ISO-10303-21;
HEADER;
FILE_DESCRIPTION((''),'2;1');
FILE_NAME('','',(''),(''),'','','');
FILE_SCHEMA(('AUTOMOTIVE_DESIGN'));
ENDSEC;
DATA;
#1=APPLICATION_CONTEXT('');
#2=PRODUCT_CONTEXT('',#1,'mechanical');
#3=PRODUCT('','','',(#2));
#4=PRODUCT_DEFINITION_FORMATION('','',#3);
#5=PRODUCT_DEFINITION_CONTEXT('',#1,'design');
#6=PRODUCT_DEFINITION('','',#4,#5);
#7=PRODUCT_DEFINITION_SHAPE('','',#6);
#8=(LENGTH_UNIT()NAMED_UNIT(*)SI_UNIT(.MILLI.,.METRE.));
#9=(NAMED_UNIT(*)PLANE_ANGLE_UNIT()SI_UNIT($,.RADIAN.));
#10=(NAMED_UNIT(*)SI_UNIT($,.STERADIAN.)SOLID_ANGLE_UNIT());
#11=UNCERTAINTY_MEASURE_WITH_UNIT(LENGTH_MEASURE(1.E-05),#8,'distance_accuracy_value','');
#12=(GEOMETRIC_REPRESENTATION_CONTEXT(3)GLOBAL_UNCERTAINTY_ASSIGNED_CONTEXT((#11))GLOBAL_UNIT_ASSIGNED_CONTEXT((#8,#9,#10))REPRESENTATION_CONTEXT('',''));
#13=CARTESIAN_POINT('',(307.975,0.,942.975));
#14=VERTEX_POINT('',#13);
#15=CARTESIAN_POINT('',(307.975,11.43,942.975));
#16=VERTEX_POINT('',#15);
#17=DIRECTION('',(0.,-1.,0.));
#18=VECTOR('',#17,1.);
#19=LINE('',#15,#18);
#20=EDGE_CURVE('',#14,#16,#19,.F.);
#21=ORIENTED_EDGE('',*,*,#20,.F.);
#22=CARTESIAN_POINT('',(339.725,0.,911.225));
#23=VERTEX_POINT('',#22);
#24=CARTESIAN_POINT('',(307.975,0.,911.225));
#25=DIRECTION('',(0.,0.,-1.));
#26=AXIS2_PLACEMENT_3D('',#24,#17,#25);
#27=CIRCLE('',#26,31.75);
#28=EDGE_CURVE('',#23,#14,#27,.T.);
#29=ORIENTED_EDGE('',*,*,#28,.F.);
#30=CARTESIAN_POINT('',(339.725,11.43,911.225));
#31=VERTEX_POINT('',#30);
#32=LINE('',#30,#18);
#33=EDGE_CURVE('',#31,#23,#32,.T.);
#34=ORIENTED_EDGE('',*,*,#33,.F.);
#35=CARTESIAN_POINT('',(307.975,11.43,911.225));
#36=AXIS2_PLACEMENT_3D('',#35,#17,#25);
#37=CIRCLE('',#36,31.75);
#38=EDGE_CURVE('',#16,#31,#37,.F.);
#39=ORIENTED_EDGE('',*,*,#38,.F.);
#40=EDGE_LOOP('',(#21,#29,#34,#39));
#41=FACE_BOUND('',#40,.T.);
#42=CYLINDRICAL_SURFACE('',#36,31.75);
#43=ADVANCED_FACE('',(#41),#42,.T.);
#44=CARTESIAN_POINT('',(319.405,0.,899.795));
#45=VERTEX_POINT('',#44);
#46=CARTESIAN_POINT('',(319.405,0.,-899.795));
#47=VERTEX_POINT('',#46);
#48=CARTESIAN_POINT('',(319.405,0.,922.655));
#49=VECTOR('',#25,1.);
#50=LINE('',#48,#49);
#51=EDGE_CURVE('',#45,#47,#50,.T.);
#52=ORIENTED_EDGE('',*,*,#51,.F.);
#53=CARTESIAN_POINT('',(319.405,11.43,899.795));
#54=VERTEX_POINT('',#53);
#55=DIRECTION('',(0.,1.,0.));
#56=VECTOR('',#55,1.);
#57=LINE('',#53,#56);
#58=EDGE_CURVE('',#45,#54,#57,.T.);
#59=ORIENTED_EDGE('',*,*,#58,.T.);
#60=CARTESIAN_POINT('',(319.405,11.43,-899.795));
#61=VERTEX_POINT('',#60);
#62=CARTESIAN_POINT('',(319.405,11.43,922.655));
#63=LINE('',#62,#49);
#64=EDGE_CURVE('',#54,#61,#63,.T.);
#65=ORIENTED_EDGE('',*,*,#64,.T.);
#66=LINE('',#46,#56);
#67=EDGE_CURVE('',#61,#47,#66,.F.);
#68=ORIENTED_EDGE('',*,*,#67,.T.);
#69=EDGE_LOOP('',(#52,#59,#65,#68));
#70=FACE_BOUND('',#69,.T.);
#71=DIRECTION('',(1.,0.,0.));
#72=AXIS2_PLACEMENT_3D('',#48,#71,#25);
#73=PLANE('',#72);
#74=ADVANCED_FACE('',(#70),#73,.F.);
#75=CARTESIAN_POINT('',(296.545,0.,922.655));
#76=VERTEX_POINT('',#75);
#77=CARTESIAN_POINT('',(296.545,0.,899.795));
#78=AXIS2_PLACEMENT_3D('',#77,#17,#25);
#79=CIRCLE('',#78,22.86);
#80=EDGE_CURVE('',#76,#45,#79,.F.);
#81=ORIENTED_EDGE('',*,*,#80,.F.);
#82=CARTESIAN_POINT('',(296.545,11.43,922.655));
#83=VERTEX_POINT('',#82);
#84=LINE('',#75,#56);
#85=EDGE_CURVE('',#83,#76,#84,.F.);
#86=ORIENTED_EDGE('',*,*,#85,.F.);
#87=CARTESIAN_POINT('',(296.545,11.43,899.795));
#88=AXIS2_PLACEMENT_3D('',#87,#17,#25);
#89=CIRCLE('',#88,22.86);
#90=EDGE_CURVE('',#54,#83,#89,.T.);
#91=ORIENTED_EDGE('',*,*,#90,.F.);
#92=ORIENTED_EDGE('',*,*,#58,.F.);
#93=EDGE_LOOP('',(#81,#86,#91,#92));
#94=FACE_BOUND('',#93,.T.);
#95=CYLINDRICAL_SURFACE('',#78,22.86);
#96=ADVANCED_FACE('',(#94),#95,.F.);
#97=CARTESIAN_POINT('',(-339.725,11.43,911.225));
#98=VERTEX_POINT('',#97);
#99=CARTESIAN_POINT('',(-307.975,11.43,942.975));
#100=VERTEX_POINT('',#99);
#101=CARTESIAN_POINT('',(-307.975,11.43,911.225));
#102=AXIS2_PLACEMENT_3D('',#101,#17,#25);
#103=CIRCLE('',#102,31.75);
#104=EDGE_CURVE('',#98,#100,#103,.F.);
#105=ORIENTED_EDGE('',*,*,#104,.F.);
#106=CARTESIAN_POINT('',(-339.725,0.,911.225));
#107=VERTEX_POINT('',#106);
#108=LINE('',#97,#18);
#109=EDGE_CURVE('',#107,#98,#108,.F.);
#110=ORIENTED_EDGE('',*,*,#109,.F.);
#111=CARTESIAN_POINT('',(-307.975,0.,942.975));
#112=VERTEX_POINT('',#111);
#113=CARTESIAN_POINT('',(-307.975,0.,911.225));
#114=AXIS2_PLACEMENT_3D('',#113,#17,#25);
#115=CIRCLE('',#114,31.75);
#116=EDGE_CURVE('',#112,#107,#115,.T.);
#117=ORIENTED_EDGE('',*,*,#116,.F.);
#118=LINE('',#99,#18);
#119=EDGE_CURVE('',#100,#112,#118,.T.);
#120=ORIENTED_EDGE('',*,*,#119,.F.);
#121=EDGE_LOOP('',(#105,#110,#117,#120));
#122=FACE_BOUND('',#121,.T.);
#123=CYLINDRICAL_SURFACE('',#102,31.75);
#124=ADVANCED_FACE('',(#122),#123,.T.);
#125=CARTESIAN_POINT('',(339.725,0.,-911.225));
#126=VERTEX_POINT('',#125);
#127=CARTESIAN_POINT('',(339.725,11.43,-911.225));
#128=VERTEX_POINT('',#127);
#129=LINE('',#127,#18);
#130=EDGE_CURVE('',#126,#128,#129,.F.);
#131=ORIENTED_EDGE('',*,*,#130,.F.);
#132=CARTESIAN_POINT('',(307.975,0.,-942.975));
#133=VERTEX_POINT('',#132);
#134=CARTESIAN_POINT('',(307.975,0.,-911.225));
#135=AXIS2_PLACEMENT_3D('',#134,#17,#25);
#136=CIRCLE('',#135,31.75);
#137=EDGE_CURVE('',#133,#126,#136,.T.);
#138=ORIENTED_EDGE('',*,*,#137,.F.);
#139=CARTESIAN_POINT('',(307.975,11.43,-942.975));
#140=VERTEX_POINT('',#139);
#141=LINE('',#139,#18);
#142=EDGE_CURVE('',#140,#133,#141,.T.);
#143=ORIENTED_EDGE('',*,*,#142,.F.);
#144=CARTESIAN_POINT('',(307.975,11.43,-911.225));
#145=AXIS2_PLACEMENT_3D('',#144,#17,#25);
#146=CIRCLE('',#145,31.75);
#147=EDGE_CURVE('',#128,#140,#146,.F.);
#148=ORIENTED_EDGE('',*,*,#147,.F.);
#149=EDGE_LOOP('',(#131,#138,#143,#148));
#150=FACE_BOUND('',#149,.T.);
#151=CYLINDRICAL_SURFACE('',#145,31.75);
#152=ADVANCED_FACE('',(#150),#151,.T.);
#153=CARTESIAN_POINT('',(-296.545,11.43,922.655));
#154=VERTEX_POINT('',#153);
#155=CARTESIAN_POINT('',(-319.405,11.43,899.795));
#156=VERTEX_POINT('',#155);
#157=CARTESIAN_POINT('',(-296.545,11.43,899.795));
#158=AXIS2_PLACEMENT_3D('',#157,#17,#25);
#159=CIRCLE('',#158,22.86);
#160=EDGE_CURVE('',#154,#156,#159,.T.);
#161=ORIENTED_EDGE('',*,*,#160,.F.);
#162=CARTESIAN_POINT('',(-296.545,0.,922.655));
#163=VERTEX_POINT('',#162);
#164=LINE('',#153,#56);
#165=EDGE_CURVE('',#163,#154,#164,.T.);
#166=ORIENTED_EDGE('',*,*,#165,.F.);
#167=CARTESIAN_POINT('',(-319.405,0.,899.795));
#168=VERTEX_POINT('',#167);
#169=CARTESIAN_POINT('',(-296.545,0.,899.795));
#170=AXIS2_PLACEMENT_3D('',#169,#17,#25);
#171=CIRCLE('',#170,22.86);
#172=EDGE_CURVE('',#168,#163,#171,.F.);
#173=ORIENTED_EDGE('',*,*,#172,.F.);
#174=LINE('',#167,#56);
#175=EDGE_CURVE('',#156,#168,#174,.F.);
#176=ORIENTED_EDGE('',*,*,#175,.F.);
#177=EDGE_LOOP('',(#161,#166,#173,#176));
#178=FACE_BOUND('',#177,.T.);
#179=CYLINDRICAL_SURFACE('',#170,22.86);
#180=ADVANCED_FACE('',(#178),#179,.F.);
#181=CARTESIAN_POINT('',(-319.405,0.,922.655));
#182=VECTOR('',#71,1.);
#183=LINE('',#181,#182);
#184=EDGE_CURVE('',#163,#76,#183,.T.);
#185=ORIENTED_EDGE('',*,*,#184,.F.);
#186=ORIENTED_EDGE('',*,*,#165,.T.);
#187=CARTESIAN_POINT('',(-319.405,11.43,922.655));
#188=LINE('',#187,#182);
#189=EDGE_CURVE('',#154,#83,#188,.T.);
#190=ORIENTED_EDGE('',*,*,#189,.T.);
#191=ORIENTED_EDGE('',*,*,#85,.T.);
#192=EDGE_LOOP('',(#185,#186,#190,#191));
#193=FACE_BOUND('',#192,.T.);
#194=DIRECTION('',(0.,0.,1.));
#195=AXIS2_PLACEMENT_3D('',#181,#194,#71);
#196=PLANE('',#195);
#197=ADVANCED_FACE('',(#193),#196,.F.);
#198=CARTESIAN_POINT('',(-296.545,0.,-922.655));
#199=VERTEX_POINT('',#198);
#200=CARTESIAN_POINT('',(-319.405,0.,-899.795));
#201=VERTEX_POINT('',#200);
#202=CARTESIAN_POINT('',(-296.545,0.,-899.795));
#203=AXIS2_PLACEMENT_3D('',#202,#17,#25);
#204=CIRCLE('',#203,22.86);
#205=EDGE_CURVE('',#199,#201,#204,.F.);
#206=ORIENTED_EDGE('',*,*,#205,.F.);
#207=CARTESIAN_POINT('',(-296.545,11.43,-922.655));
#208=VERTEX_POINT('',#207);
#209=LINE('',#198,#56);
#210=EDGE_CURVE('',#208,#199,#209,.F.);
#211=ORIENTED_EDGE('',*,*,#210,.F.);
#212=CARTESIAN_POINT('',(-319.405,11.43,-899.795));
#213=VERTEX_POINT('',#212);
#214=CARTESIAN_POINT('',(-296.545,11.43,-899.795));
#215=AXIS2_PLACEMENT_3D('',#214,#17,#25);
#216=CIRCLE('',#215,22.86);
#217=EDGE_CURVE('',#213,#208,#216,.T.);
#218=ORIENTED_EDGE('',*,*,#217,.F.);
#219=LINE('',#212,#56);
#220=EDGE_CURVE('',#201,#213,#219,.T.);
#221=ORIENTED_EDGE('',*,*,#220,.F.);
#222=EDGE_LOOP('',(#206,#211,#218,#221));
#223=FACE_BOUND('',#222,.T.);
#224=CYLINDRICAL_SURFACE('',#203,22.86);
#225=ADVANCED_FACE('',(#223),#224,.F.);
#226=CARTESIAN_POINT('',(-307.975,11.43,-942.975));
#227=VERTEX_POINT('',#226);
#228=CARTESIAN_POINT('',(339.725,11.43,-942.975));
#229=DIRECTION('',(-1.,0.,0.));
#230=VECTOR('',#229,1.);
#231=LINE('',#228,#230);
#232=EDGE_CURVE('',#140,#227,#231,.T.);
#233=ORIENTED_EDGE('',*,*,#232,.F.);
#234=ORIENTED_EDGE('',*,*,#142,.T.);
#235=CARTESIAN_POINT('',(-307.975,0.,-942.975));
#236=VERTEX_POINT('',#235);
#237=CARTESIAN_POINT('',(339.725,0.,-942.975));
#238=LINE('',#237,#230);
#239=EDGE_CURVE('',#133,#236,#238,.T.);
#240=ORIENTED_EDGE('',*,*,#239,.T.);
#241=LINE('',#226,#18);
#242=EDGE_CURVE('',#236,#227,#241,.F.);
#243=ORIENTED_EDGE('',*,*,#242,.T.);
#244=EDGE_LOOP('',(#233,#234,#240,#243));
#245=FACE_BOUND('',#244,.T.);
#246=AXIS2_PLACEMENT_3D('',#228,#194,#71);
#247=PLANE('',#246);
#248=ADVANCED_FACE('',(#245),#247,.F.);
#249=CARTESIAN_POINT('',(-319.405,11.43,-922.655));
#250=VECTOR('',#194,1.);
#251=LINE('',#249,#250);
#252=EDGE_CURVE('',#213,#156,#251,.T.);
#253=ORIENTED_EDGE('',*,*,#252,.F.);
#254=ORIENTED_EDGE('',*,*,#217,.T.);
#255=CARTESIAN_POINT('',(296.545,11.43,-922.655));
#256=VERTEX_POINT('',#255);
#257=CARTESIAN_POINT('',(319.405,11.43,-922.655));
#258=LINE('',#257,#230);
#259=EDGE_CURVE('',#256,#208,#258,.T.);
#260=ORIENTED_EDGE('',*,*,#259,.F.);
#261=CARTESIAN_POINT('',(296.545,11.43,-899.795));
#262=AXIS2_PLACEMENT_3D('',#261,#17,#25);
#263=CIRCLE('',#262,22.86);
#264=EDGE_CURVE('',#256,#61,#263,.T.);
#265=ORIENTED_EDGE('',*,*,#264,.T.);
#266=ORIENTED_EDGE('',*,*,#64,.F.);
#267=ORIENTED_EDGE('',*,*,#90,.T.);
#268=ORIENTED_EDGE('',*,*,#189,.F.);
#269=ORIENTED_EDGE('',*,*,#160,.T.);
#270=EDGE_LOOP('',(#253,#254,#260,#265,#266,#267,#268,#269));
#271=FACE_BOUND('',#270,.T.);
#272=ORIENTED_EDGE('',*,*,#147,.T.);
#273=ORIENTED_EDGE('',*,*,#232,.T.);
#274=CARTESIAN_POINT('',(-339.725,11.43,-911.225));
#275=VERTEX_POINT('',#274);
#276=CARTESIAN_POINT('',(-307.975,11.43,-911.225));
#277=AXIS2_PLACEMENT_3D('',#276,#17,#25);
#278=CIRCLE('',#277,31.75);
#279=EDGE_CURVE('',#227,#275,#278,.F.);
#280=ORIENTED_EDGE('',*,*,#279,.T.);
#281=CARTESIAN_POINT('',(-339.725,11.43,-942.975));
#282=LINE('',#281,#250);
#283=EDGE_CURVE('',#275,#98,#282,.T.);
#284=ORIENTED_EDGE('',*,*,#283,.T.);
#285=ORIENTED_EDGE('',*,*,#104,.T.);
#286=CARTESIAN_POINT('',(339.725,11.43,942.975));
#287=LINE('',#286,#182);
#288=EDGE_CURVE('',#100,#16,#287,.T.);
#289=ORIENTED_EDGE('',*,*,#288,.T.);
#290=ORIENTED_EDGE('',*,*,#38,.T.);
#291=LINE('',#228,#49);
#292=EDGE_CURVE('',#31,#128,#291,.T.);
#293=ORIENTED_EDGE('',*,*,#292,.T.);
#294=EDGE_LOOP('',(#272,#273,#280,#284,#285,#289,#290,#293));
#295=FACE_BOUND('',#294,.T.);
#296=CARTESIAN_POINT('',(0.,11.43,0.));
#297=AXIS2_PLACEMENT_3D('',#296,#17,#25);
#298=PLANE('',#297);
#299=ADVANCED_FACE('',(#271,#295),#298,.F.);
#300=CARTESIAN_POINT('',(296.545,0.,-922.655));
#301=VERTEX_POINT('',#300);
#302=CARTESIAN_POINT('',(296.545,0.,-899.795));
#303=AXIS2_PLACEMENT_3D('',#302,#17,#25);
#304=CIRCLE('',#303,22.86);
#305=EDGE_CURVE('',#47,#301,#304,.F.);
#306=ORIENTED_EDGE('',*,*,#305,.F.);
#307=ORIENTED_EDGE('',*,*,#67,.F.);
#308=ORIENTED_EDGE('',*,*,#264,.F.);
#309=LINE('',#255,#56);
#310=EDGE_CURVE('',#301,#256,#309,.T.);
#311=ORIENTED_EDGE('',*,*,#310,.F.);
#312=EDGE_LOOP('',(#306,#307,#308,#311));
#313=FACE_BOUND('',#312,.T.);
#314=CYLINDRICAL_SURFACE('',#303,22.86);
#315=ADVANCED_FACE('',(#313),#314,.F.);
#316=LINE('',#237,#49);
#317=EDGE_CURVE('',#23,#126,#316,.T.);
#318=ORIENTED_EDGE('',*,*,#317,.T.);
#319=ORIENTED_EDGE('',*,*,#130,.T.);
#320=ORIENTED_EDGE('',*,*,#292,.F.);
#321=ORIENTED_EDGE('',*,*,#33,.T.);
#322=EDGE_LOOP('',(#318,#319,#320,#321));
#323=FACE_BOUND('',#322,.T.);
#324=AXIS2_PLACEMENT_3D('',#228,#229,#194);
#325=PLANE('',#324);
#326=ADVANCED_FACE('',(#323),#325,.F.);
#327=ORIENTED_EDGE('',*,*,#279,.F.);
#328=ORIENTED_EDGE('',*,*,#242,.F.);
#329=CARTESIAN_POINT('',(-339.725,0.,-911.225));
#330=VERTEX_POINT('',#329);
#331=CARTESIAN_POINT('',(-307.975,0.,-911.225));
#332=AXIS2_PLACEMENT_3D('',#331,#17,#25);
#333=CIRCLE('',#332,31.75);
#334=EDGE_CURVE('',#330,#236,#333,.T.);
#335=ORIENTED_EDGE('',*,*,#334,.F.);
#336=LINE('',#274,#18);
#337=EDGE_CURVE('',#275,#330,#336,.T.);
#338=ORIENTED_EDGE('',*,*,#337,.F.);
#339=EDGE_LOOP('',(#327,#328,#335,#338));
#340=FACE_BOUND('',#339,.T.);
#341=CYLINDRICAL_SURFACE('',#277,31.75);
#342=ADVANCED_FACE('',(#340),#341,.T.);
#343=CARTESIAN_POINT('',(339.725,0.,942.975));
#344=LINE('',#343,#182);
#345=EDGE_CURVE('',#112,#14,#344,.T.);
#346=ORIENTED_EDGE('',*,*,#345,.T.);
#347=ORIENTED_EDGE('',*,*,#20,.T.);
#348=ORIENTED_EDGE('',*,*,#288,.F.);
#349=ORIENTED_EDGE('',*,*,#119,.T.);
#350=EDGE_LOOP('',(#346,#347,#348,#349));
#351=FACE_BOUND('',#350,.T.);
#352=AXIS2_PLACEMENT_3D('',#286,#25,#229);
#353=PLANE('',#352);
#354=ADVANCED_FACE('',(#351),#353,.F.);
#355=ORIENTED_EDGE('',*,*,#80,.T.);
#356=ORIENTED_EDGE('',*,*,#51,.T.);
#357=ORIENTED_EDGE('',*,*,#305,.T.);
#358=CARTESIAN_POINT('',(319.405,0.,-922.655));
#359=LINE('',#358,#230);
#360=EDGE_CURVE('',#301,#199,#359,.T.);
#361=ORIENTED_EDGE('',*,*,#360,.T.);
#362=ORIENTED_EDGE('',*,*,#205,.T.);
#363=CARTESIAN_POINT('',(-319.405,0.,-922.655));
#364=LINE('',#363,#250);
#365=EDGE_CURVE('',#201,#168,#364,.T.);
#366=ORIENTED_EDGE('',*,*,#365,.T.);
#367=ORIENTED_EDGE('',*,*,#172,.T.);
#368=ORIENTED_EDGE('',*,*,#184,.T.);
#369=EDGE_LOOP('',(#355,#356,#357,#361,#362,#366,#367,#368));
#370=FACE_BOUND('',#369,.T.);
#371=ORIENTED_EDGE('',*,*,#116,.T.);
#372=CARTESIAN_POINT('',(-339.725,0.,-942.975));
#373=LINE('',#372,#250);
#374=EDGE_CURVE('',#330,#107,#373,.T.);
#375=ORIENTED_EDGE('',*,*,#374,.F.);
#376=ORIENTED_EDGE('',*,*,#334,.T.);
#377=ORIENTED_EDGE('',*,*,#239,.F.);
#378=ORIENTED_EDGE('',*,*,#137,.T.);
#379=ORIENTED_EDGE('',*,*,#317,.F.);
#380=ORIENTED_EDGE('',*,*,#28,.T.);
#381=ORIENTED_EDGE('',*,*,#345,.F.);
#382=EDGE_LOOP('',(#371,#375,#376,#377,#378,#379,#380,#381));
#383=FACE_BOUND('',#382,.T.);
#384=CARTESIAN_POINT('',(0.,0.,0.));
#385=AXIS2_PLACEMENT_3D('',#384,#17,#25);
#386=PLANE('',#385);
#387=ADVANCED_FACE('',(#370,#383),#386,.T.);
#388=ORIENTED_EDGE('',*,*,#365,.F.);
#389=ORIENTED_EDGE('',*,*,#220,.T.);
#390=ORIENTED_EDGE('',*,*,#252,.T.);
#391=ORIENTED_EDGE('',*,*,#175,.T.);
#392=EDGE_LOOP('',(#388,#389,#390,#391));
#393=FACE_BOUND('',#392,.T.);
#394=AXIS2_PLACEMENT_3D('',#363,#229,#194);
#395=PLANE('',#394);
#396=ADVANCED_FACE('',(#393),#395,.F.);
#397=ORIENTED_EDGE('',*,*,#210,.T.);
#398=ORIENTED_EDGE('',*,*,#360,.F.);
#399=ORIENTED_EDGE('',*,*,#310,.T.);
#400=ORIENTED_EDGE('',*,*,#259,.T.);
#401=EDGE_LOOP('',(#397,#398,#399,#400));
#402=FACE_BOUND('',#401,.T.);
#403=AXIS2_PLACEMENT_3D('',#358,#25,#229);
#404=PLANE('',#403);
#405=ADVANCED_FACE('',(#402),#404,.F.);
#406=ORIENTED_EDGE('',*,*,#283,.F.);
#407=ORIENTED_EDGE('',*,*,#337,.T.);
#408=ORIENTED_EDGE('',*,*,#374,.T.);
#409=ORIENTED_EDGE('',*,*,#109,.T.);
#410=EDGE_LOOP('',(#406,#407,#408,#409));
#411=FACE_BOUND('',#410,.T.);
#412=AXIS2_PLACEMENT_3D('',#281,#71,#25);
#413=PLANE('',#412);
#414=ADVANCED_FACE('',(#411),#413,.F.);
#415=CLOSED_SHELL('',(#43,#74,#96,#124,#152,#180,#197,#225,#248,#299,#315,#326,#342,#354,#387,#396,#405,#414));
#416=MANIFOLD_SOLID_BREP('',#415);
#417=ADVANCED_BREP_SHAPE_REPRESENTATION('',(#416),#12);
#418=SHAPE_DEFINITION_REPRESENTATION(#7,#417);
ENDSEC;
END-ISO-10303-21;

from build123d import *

# Parameters (mm, degrees)
SKETCH1_W           = 679.45
SKETCH1_H           = 1885.95
BOSS_EXTRUDE1_DEPTH = 11.43
SKETCH3_W           = 638.81
SKETCH3_H           = 1845.31
CUT_EXTRUDE2_DEPTH  = 1003.369977179
FILLET1_R           = 31.75
FILLET2_R           = 22.86


with BuildPart() as part:
    # Sketch1 → Boss-Extrude1 (new body)
    with BuildSketch(Plane(origin=(0, 0, 0), x_dir=(1, 0, 0), z_dir=(0, 1, 0))):
        Rectangle(SKETCH1_W, SKETCH1_H)
    extrude(amount=BOSS_EXTRUDE1_DEPTH)

    # Sketch3 → Cut-Extrude2 (cut, through all)
    with BuildSketch(Plane(origin=(0, 11.43, 0), x_dir=(1, 0, 0), z_dir=(0, 1, 0))):
        Rectangle(SKETCH3_W, SKETCH3_H)
    extrude(amount=-CUT_EXTRUDE2_DEPTH, mode=Mode.SUBTRACT)

    # Fillet1
    fillet1_edges = [part.edges().sort_by_distance(p)[0] for p in [
        (-339.725, 5.715, -942.975),
        (339.725, 5.715, -942.975),
        (339.725, 5.715, 942.975),
        (-339.725, 5.715, 942.975),
    ]]
    fillet(fillet1_edges, radius=FILLET1_R)

    # Fillet2
    fillet2_edges = [part.edges().sort_by_distance(p)[0] for p in [
        (-319.405, 5.715, -922.655),
        (319.405, 5.715, -922.655),
        (319.405, 5.715, 922.655),
        (-319.405, 5.715, 922.655),
    ]]
    fillet(fillet2_edges, radius=FILLET2_R)


solid = part.part
